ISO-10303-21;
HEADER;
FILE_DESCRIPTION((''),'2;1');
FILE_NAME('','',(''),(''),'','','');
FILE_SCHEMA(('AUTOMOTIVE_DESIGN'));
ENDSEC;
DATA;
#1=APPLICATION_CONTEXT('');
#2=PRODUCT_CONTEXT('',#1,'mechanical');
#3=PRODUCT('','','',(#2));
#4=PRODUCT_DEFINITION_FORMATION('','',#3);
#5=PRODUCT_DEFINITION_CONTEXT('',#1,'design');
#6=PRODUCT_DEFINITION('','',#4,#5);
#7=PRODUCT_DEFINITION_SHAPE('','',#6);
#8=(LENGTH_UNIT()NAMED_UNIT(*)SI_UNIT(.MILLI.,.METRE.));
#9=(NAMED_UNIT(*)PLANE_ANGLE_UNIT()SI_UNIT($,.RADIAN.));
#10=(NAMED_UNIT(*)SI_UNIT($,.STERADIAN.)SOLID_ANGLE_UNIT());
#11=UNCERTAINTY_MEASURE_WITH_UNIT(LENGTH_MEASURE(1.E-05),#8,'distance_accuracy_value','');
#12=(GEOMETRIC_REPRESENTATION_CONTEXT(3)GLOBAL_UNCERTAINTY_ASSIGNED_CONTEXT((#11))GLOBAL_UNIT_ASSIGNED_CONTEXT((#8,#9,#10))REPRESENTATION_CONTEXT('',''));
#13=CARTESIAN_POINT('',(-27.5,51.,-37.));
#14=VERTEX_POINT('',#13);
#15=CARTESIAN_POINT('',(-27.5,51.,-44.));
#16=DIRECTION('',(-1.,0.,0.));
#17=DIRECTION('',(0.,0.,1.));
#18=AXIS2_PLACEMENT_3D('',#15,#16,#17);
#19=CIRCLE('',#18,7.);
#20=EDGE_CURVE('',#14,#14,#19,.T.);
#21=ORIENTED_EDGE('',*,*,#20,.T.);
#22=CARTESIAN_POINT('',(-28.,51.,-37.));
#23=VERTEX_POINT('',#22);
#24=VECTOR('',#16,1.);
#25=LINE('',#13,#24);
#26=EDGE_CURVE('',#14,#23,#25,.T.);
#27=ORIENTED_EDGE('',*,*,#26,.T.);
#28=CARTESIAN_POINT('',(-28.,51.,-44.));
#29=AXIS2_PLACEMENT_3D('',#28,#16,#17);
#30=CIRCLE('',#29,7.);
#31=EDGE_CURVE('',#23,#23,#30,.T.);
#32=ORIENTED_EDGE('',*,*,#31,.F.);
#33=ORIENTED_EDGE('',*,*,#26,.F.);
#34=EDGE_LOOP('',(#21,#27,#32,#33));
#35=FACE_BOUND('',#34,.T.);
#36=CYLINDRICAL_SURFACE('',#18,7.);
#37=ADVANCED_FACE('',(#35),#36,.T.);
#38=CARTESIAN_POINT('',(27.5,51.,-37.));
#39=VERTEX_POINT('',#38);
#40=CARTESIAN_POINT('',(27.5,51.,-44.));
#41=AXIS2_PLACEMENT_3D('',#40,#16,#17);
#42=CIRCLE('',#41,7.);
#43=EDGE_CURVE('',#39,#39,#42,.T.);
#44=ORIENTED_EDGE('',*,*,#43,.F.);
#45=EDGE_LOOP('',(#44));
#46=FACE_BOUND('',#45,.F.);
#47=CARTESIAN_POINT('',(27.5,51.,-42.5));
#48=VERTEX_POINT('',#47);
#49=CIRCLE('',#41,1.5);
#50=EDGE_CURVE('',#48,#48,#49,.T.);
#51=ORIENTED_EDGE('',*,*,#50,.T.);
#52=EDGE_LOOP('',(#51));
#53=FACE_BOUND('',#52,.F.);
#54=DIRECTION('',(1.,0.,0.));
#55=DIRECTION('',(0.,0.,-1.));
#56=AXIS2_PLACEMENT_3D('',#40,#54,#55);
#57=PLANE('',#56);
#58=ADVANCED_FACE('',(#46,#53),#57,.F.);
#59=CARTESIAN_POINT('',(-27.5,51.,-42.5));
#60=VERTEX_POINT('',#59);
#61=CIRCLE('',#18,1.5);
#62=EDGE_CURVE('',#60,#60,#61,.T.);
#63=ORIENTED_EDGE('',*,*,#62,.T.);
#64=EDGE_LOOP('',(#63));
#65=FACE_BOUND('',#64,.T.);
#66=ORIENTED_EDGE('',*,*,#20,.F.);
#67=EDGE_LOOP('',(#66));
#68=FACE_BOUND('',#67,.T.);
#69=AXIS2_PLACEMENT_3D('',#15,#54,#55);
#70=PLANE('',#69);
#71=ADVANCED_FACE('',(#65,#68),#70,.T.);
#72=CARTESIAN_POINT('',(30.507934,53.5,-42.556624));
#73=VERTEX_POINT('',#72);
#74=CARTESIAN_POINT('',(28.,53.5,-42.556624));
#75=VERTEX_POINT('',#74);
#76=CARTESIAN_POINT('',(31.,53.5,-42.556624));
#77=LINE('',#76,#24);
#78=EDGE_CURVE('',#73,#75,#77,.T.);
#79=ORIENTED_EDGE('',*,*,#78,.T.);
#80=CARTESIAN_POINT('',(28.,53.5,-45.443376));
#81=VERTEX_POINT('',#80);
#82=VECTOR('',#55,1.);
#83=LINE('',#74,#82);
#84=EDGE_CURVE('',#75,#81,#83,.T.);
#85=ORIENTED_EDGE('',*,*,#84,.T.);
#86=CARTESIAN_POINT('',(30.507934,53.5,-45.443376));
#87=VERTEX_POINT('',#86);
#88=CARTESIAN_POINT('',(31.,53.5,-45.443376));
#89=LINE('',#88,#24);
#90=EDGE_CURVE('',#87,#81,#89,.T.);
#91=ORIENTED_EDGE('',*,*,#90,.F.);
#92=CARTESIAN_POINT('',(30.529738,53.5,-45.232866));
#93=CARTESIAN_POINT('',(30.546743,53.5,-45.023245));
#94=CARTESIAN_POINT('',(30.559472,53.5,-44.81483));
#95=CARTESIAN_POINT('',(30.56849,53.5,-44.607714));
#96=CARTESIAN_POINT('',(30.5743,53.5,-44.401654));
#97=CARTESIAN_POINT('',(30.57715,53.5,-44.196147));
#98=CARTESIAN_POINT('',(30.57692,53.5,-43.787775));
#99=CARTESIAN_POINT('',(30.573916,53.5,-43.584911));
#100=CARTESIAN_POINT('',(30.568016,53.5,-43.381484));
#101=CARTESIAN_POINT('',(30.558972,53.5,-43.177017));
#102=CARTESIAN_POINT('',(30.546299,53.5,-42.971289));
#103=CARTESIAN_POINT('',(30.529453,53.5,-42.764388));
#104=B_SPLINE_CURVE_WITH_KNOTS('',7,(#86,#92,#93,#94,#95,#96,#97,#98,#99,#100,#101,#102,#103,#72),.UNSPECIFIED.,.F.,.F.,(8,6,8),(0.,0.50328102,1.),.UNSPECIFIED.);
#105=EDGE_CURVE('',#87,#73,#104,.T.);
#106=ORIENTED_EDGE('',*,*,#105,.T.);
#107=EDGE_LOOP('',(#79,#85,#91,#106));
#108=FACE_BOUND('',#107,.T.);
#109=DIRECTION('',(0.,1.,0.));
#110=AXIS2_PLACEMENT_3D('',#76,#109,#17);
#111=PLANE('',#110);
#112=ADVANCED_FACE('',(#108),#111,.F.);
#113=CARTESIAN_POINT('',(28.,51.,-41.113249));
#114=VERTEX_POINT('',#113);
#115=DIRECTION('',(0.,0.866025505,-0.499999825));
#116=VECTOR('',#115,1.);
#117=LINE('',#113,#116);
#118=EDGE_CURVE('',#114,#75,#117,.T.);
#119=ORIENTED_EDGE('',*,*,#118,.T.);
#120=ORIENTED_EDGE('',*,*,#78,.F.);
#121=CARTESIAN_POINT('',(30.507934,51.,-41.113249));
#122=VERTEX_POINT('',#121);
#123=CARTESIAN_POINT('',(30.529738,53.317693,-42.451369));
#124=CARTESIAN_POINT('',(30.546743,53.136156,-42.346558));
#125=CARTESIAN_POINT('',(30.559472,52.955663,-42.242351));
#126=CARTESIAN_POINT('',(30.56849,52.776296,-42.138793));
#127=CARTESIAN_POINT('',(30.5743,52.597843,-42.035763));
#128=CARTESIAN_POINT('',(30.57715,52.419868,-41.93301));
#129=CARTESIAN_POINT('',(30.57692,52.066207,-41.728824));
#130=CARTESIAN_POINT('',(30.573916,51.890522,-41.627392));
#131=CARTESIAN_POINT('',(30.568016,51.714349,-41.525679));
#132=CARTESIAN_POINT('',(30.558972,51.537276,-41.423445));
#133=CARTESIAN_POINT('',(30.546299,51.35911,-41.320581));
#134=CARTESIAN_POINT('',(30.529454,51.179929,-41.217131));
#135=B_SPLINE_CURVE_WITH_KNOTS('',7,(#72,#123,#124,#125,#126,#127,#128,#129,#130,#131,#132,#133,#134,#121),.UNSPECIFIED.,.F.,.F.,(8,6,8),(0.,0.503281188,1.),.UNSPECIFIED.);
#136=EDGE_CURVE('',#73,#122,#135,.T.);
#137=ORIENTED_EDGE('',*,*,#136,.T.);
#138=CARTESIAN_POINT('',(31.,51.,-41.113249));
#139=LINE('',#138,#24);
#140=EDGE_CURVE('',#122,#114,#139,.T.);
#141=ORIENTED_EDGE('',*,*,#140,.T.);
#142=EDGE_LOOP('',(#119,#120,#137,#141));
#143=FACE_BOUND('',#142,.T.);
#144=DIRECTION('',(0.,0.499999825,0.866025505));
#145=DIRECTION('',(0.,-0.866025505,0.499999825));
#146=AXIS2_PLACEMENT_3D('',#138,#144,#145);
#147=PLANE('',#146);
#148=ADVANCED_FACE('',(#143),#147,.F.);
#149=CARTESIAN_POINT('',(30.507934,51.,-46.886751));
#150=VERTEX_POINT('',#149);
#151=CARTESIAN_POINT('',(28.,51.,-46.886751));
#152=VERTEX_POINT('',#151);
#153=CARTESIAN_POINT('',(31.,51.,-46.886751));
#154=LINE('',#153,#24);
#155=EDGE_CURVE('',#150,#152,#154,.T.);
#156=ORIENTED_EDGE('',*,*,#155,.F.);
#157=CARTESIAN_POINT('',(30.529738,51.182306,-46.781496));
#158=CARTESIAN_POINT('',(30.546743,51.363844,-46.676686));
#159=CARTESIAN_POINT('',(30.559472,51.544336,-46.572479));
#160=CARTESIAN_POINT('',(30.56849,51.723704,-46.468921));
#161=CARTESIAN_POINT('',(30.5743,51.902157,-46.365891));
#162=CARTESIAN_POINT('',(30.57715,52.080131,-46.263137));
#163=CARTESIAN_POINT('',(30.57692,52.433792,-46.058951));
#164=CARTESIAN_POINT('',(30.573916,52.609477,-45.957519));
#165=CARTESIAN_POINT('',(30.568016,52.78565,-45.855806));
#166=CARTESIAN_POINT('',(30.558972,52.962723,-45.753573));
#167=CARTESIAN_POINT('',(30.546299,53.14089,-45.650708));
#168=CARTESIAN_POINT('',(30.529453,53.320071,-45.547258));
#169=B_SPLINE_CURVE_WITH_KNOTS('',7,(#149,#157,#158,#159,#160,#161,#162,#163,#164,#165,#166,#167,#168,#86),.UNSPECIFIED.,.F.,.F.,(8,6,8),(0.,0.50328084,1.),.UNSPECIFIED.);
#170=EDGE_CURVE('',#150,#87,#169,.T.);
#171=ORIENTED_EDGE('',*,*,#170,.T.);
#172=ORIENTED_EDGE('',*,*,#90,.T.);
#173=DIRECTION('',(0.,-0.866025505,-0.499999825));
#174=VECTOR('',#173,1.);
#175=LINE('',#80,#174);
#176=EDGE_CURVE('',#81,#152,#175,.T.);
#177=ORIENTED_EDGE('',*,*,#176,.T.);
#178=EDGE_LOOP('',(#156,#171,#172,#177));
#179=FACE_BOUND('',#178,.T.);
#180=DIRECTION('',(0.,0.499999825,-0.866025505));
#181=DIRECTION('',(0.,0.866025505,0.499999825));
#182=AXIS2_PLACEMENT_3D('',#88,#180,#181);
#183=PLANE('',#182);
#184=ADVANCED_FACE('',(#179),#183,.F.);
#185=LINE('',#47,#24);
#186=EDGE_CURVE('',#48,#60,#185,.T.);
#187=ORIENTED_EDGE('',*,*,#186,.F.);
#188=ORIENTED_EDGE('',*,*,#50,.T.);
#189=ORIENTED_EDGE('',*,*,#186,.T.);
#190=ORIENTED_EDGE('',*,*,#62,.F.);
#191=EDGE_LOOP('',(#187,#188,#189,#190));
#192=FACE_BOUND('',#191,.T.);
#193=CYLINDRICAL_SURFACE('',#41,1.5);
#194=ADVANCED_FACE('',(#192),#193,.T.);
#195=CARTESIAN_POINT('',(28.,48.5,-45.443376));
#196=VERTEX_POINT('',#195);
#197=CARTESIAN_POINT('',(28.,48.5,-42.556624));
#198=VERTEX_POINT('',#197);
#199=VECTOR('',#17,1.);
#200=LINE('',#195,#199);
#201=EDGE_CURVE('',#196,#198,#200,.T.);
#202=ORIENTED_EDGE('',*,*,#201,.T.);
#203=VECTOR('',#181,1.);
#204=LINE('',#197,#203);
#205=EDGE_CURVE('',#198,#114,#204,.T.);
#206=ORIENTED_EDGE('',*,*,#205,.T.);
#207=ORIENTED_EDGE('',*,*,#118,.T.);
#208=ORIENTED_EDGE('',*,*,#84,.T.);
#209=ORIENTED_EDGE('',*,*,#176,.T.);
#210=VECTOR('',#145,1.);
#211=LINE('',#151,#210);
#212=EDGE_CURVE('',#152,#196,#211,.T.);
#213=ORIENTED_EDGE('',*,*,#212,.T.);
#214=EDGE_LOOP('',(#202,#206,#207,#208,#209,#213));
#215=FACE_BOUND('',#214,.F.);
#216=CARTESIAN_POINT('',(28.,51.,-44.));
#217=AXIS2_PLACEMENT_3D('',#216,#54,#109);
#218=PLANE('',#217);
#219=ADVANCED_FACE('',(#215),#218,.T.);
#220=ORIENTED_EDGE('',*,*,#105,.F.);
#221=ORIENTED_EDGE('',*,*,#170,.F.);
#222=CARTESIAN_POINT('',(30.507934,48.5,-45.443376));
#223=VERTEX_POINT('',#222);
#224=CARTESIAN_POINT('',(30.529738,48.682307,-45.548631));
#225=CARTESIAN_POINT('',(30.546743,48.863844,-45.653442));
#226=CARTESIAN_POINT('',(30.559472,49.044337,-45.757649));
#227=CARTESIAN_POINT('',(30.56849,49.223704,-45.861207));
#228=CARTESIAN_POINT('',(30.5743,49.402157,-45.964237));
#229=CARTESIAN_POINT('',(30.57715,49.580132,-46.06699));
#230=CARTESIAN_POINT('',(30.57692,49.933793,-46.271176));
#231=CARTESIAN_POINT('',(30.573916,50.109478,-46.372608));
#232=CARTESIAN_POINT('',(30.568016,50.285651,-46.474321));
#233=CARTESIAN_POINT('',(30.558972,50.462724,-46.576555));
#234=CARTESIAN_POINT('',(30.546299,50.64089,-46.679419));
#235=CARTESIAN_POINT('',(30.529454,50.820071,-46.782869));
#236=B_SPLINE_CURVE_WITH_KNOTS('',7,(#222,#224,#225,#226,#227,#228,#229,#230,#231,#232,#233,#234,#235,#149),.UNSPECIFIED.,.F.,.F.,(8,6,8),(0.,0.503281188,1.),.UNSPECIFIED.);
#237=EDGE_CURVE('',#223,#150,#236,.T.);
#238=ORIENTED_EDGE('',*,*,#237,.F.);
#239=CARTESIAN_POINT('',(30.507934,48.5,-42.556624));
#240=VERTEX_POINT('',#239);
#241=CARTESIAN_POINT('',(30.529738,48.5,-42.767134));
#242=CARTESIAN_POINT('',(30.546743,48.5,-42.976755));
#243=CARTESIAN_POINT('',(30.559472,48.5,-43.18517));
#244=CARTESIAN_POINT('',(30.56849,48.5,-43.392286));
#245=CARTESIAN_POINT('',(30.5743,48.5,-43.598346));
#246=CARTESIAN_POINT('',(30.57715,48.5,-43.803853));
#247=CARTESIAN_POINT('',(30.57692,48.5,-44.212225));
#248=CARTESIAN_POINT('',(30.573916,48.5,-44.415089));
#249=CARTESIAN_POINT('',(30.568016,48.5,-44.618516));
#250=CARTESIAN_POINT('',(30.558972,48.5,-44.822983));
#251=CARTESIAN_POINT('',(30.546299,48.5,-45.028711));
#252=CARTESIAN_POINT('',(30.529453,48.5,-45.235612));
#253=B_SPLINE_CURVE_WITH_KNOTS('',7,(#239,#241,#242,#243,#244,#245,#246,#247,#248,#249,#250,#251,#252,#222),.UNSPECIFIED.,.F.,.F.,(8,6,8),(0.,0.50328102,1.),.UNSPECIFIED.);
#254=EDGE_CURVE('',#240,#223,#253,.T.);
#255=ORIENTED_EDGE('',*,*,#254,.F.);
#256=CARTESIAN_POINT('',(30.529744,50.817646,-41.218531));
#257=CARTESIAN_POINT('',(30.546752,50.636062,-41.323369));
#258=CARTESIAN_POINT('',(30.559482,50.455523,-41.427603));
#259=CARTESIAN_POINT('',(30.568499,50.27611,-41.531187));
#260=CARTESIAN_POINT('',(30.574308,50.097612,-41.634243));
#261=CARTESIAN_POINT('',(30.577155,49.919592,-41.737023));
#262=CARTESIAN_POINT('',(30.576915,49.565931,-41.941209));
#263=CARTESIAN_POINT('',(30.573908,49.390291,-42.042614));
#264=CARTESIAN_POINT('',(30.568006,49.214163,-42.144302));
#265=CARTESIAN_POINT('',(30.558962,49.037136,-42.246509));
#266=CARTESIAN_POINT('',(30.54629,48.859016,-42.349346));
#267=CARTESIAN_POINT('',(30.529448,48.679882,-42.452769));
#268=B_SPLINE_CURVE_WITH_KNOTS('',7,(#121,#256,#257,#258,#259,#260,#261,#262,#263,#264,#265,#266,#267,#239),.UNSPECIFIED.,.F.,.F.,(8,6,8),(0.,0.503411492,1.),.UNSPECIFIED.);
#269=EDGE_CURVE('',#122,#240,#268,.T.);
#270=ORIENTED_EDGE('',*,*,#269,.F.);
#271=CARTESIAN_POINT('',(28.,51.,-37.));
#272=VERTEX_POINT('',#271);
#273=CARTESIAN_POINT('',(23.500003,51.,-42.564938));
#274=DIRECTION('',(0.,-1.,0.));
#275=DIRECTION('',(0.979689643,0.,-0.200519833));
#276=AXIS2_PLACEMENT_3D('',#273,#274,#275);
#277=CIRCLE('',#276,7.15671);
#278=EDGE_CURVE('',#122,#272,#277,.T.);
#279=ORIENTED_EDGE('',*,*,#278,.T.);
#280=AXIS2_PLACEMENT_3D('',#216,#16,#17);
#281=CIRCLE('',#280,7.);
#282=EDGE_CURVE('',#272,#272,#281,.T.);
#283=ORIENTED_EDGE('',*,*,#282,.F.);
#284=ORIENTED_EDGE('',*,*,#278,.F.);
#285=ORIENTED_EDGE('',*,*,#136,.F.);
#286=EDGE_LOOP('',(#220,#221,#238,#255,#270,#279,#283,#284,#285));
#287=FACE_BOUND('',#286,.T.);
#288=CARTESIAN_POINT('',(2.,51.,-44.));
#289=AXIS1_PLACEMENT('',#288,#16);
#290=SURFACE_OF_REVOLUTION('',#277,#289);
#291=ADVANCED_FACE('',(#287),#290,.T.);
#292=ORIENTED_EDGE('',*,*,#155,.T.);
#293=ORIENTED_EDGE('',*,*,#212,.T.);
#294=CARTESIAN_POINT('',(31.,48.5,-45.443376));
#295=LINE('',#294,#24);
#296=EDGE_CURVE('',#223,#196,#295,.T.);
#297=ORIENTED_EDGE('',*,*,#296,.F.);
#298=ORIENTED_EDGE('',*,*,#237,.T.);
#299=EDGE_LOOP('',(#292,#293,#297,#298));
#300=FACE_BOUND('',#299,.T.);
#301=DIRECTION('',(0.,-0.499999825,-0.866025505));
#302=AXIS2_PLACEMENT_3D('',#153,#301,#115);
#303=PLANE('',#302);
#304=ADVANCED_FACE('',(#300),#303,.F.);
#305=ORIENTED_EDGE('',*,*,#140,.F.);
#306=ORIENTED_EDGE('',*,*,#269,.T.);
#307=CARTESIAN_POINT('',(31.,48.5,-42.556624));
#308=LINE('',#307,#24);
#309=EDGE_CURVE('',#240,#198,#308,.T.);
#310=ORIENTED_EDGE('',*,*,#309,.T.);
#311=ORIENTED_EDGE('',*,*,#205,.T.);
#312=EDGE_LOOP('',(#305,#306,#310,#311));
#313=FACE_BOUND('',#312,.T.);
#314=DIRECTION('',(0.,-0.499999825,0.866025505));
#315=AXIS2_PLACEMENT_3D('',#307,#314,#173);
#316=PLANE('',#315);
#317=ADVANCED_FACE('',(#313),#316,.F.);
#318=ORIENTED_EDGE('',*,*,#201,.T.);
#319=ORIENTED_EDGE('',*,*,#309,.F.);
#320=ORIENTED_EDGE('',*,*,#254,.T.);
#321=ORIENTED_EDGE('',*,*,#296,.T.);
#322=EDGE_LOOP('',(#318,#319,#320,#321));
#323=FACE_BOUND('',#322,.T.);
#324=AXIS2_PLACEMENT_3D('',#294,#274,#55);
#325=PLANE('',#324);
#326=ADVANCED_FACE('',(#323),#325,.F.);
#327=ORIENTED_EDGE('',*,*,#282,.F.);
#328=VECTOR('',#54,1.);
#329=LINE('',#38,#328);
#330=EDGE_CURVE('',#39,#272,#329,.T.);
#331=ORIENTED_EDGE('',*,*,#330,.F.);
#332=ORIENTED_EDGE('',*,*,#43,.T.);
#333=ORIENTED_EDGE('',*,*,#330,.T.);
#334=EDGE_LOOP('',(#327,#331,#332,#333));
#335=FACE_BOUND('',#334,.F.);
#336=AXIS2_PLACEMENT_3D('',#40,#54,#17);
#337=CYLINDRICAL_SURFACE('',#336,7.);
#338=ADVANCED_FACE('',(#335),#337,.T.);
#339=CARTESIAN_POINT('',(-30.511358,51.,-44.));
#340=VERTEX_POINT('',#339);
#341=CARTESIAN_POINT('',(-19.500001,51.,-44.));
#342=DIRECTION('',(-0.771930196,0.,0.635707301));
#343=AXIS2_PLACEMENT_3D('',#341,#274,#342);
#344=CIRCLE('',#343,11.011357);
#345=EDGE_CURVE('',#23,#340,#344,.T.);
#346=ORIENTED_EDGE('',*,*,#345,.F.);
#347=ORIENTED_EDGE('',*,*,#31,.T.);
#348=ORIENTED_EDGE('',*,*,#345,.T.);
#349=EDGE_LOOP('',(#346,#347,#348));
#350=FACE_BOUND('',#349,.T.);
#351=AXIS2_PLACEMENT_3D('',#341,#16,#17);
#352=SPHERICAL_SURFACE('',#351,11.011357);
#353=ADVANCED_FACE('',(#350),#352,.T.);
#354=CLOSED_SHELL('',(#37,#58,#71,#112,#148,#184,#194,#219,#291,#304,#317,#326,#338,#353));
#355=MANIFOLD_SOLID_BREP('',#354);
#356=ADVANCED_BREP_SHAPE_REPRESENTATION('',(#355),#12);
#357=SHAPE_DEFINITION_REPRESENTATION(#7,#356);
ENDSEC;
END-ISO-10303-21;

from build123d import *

# Parameters (mm, degrees)
EXTRUDE002_DEPTH = 3


with BuildPart() as axle_hex_extrude:
    # Sketch009 → Extrude002 (new body)
    with BuildSketch(Plane.YZ.offset(31)):
        Polygon((-48.5, -42.556624), (-51, -41.113249), (-53.5, -42.556624), (-53.5, -45.443376), (-51, -46.886751), (-48.5, -45.443376), align=None)
    extrude(amount=-EXTRUDE002_DEPTH)


with BuildPart() as axle_front:
    # Sketch008 → Revolve001 (revolve)
    with BuildSketch(Plane.XZ.offset(51)):
        with BuildLine():
            Line((27.5, -42.5), (-27.5, -42.5))
            Line((-27.5, -42.5), (-27.5, -37))
            Line((-27.5, -37), (-28, -37))
            ThreePointArc((-28, -37), (-29.86452, -40.281569), (-30.511358, -44))
            Line((-30.511358, -44), (30.511358, -44))
            ThreePointArc((30.511358, -44), (30.236308, -40.148184), (28, -37))
            Line((27.5, -37), (28, -37))
            Line((27.5, -42.5), (27.5, -37))
        make_face()
    revolve(axis=Axis((2, -51, -44), (1, 0, 0)))

    # Cut: cut axle-hex-extrude
    add(axle_hex_extrude.part, mode=Mode.SUBTRACT)


with BuildPart() as axle_back:
    # Part__Mirroring001: instance of axle-front
    add(axle_front.part.mirror(Plane(origin=(0, 0, 0), x_dir=(1, 0, 0), z_dir=(0, 1, 0))))


solid = axle_back.part
